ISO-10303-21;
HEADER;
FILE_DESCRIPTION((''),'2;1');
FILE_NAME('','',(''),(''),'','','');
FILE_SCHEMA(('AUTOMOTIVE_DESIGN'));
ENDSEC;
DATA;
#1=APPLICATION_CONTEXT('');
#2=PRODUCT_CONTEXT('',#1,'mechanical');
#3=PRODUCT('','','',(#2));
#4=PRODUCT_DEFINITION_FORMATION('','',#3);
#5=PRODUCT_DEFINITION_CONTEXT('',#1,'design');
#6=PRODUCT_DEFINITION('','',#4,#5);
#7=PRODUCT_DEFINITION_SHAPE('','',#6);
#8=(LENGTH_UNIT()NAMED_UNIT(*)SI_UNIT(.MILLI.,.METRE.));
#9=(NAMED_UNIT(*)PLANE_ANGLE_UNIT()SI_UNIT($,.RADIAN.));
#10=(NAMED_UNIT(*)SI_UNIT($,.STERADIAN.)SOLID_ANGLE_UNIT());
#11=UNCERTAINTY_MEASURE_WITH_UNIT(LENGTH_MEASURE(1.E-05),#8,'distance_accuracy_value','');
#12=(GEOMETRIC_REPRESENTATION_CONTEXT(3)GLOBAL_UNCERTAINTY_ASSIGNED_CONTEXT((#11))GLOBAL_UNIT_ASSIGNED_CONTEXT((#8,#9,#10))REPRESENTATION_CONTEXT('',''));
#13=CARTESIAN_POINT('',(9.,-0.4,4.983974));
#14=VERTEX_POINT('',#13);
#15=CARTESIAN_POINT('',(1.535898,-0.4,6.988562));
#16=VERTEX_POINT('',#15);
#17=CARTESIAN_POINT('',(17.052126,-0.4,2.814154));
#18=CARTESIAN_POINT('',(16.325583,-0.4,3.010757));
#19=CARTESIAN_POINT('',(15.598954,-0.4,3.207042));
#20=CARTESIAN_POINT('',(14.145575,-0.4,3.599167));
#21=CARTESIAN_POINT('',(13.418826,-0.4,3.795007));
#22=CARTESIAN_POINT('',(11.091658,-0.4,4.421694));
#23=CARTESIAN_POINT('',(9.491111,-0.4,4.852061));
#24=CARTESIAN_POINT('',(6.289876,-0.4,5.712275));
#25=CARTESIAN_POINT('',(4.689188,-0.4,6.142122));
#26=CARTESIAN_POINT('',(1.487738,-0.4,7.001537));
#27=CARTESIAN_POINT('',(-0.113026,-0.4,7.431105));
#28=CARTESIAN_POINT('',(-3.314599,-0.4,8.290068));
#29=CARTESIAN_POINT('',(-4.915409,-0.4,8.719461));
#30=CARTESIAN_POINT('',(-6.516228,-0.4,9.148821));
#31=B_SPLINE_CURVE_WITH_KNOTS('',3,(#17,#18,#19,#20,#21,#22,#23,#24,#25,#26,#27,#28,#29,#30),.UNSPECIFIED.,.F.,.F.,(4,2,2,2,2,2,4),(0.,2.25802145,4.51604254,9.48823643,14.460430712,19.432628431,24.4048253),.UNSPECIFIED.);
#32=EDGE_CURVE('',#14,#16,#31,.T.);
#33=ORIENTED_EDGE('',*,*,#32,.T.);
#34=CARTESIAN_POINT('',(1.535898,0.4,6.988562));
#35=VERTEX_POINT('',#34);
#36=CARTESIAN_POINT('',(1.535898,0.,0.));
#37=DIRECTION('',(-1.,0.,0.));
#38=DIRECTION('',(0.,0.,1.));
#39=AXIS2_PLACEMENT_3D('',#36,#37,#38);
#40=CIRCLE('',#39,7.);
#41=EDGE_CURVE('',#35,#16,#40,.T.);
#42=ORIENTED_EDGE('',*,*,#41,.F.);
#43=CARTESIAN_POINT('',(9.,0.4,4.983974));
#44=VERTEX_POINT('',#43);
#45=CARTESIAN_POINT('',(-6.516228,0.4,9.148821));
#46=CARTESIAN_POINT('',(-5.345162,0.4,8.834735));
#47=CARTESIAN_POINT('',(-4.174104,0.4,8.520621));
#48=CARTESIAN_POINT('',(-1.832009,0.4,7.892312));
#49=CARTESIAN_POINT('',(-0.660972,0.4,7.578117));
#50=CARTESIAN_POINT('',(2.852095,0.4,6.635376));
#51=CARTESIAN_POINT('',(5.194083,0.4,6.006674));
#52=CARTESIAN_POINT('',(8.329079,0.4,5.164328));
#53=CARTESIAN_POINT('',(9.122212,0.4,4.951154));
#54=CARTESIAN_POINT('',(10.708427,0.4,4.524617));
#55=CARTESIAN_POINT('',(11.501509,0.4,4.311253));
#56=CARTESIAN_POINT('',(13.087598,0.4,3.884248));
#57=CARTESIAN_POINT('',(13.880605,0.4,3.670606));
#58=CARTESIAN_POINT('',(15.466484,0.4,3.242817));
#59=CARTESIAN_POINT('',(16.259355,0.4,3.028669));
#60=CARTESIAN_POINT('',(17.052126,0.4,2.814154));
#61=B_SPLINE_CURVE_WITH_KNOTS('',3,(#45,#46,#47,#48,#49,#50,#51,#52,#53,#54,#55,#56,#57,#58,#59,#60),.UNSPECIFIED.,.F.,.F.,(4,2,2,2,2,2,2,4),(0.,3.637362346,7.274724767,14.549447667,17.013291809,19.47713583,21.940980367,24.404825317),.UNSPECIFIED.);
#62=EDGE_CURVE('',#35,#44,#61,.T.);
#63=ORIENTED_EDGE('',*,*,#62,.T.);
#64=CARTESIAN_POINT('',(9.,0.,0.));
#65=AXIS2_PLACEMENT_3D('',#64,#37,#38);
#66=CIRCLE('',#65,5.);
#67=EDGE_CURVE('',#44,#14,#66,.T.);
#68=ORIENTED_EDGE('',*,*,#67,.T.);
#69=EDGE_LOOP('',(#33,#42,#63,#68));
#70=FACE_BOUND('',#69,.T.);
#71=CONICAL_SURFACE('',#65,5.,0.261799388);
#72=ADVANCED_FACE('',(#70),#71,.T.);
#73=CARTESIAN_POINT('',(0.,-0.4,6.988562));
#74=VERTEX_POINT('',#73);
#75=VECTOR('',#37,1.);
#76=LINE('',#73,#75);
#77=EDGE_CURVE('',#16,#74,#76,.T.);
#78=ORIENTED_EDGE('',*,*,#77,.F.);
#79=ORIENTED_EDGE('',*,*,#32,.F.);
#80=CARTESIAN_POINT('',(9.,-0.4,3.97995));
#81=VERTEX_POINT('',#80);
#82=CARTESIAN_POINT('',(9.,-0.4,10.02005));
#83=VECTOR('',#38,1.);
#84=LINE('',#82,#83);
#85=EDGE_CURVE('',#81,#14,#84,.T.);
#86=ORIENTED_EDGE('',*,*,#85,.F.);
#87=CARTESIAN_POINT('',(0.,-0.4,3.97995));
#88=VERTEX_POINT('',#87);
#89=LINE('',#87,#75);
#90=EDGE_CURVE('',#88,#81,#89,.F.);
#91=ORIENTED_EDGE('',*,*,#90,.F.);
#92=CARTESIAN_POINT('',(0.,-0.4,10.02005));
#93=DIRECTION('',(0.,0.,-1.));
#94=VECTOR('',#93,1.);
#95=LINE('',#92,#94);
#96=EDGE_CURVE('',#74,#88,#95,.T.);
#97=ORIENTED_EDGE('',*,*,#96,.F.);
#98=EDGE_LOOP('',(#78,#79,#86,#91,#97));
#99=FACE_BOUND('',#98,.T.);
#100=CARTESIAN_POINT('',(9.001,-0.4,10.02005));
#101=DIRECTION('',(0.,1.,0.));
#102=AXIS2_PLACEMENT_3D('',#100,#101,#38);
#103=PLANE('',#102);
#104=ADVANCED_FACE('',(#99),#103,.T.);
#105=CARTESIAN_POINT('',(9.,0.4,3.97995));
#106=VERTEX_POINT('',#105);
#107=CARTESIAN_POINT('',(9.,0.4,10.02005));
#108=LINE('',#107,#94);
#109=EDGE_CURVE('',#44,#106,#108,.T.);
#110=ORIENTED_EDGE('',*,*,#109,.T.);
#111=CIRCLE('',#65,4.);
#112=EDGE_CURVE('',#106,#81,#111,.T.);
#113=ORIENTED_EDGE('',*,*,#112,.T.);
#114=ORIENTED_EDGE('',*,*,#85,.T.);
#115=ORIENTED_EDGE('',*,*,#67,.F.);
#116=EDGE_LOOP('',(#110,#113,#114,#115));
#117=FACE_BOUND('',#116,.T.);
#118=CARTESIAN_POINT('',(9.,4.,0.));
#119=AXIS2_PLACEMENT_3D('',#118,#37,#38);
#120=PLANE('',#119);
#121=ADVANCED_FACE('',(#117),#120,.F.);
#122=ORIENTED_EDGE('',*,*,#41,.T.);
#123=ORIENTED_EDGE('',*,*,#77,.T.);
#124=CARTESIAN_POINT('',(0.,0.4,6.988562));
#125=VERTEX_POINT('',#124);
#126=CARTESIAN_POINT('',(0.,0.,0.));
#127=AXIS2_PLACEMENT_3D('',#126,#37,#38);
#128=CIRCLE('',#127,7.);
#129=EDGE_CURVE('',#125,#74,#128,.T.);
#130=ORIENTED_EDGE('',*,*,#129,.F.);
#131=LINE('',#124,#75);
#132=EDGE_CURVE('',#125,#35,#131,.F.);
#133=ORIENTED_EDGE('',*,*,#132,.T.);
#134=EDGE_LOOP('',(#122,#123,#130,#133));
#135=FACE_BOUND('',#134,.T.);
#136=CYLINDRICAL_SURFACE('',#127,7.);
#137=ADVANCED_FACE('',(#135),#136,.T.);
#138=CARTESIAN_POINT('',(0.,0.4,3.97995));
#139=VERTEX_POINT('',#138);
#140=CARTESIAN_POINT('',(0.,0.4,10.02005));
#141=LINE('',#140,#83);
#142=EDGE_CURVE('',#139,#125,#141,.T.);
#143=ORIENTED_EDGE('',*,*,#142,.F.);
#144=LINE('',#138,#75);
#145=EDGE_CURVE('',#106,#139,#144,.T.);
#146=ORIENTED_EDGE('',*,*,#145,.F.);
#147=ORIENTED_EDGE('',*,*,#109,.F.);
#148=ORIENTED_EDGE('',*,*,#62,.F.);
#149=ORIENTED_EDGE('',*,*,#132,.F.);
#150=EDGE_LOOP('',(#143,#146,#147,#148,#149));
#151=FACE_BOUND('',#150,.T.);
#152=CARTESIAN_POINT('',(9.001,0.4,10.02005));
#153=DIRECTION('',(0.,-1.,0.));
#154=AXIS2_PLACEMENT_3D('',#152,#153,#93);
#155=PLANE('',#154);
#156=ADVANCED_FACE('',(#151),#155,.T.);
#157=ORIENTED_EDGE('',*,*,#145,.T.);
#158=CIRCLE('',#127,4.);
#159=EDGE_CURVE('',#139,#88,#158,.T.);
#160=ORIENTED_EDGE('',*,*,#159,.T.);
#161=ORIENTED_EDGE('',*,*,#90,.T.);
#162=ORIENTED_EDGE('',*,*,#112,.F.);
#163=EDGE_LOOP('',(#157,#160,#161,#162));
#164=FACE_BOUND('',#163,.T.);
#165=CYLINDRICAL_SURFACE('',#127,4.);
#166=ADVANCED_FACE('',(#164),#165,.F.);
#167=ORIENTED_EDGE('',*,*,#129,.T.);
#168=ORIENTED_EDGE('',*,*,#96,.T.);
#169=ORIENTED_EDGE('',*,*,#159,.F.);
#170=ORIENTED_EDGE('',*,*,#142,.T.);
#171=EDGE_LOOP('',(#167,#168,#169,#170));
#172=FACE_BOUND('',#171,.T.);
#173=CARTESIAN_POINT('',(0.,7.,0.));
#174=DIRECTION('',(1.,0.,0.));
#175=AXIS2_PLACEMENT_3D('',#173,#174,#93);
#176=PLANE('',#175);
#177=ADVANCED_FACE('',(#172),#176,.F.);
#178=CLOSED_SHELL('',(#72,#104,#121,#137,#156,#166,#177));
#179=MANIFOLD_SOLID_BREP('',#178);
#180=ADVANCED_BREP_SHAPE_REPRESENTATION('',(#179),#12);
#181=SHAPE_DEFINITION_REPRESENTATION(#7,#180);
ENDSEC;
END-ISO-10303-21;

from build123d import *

# Parameters (mm, degrees)
SCHNITT_LINEAR_AUSTRAGEN1_REACH = 11
SKIZZE2_W                       = 6.040100504
SKIZZE2_H                       = 0.8


with BuildPart() as part:
    # Skizze1 → Rotation1 (revolve)
    with BuildSketch(Plane.XY):
        Polygon((0, 4), (9, 4), (9, 5), (1.535898385, 7), (0, 7), align=None)
    revolve(axis=Axis((0, 0, 0), (1, 0, 0)))

    # Skizze2 → Schnitt-Linear austragen1 (cut, up to next)
    with BuildSketch(Plane(origin=(0, 0, 0), x_dir=(0, 0, -1), z_dir=(1, 0, 0)), mode=Mode.PRIVATE) as schnitt_linear_austragen1_sk1:
        with Locations((-7, 0)):
            Rectangle(SKIZZE2_W, SKIZZE2_H)
    schnitt_linear_austragen1_tool1 = extrude(schnitt_linear_austragen1_sk1.sketch, amount=SCHNITT_LINEAR_AUSTRAGEN1_REACH, mode=Mode.PRIVATE) & part.part
    add(schnitt_linear_austragen1_tool1.solids().sort_by_distance((0, 0, 7))[0], mode=Mode.SUBTRACT)


solid = part.part
